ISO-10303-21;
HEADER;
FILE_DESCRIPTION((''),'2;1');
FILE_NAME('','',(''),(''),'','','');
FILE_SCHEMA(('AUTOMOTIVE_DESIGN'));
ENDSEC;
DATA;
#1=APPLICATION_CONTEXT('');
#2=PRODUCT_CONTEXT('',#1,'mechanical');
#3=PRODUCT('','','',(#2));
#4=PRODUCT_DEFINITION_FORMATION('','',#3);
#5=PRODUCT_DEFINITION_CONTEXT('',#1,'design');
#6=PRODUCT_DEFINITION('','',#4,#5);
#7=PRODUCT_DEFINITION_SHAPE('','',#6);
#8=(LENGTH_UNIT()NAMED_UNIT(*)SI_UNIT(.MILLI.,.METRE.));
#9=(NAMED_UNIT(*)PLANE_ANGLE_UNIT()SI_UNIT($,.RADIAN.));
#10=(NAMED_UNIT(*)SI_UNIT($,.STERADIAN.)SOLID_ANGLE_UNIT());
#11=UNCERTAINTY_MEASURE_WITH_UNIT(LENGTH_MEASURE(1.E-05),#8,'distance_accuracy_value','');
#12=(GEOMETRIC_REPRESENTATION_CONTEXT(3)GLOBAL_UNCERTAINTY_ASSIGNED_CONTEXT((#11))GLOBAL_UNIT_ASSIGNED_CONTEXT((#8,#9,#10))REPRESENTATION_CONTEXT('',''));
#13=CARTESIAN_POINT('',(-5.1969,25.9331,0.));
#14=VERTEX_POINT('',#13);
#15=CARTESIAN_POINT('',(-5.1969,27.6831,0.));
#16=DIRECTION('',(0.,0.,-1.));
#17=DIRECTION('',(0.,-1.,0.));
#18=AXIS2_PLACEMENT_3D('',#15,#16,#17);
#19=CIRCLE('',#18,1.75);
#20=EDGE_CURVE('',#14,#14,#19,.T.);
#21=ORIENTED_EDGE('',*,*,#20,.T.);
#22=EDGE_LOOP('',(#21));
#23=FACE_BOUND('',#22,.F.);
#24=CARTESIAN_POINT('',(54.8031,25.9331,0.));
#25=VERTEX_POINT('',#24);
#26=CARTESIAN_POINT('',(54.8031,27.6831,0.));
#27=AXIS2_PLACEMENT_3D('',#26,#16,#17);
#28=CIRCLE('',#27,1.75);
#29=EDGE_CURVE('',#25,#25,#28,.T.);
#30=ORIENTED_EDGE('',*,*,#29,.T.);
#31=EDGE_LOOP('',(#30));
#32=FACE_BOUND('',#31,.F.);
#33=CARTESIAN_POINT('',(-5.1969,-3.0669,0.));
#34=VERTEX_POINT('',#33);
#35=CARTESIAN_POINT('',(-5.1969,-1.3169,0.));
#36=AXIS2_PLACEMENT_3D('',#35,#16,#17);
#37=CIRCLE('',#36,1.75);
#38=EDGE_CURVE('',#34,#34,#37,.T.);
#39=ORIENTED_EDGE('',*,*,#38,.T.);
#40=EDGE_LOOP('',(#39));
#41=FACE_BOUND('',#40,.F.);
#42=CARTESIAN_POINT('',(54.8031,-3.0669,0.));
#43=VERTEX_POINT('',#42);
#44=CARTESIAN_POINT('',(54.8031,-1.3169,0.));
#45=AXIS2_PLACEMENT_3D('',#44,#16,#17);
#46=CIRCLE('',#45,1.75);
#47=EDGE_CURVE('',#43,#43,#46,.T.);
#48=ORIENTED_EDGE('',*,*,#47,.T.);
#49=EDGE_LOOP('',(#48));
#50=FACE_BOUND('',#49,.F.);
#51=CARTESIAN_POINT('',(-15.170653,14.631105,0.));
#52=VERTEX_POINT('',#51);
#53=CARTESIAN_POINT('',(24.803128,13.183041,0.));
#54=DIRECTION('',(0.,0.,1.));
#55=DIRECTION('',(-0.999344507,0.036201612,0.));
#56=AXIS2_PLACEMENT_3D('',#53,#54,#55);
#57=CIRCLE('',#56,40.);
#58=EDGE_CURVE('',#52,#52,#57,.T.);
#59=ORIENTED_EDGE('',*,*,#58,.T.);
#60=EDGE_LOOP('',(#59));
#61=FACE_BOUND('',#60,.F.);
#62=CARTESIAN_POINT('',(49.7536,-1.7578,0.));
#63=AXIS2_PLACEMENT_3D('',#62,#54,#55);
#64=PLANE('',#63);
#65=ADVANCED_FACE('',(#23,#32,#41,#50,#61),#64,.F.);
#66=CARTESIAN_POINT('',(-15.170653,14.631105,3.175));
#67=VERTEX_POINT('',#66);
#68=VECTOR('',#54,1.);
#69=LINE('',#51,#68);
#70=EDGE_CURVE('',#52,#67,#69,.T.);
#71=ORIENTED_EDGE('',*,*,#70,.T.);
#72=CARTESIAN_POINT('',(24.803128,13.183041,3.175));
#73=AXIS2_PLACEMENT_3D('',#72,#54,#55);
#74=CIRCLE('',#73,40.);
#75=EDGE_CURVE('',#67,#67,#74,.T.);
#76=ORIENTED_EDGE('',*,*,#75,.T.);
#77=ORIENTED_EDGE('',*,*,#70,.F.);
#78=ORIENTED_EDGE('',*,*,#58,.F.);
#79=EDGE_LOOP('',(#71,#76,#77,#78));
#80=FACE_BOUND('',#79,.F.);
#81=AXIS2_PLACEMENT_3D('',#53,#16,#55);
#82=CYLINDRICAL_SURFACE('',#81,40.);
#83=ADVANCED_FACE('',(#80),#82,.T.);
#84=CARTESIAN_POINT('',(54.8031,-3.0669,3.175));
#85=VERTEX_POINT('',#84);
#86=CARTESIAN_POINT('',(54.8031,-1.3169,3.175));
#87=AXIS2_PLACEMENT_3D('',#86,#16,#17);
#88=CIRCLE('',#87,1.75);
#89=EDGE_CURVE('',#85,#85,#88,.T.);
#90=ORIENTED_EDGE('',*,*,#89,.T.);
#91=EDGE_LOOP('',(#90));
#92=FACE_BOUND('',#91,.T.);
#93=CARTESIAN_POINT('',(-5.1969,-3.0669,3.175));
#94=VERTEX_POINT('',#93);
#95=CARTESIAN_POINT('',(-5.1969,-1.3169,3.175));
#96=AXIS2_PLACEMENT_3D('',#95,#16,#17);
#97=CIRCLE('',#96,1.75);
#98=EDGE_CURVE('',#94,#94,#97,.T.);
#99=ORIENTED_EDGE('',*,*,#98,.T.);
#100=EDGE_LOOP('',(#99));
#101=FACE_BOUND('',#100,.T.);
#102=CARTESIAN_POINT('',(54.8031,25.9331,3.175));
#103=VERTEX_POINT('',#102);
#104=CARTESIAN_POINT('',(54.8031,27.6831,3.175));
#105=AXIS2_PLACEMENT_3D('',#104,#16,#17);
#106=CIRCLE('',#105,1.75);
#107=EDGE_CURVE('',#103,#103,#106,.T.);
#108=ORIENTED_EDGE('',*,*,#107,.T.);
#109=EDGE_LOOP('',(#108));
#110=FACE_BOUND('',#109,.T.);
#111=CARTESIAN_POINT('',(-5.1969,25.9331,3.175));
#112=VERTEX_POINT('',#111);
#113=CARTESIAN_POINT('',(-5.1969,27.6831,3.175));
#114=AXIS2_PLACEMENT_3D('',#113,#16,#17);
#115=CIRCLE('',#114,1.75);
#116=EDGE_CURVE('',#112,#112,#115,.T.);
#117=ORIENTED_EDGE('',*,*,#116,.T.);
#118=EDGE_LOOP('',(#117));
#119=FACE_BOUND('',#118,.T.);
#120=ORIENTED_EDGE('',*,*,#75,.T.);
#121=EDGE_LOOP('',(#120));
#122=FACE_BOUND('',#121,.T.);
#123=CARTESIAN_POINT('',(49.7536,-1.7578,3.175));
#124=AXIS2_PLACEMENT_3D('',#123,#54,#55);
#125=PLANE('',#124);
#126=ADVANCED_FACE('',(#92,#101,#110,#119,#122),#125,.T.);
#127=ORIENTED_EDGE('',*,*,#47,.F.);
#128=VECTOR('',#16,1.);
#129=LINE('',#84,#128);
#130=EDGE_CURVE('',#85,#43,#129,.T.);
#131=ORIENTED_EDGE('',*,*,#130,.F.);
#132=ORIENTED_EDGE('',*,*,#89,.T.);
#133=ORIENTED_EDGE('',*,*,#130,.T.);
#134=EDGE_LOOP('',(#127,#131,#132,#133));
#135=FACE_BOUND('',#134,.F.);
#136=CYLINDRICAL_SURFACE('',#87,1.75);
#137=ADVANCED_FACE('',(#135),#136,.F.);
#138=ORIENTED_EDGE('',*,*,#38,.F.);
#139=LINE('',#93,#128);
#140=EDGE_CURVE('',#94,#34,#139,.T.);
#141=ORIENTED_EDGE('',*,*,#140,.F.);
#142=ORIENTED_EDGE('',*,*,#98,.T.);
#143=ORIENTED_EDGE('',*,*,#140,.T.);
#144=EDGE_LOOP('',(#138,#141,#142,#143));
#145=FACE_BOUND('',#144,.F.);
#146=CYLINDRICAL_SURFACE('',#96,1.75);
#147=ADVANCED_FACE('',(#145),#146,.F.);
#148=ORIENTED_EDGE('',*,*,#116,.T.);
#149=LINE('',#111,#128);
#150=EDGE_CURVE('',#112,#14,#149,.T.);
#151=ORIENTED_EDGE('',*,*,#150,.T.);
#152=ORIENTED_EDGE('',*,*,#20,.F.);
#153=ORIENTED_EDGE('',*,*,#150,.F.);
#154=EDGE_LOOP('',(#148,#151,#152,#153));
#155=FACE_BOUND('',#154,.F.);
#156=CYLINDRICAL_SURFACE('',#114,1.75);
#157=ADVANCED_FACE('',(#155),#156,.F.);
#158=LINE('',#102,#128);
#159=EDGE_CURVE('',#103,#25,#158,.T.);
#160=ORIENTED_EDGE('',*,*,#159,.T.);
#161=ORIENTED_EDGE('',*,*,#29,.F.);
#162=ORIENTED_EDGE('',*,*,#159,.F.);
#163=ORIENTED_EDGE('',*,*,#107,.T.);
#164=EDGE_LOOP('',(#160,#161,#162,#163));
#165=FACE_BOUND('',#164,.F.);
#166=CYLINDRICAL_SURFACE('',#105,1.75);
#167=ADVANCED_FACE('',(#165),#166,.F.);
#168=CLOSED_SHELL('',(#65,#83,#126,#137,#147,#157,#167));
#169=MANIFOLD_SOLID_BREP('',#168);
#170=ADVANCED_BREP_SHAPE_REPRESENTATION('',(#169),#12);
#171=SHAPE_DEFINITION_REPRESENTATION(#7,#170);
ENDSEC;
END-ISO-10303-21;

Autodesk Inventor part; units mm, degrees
ref_plane "YZ Plane" through (0, 0, 0) normal (1, 0, 0) x (0, 1, 0)
ref_plane "XZ Plane" through (0, 0, 0) normal (0, 1, 0) x (-1, 0, 0)
ref_plane "XY Plane" through (0, 0, 0) normal (0, 0, 1) x (1, 0, 0)
ref_plane "Work Plane1" through (48.8619, 11.5956, -9.64) normal (0, 1, 0) x (0.9993, 0, 0.0362)
sketch "Sketch1" plane through (49.7536, -1.7578, 0) normal (0, 0, 1) x (-0.9993, 0.0362, 0)
  arc A0 (3.3176, 0.3625) -> (1.2465, 2.2888) centre (1.3189, 0.2901) ccw projected
  line L0 (1.2465, 2.2888) -> (-3.8002, 2.106) projected
  arc A1 (-3.8002, 2.106) -> (-5.7265, 0.0349) centre (-3.7278, 0.1073) ccw projected
  line L1 (-5.7265, 0.0349) -> (-5.5816, -3.9625) projected
  arc A2 (-5.5816, -3.9625) -> (-3.5105, -5.8888) centre (-3.583, -3.8901) ccw projected
  line L2 (-3.5105, -5.8888) -> (1.5361, -5.7059) projected
  arc A3 (1.5361, -5.7059) -> (3.4624, -3.6348) centre (1.4637, -3.7073) ccw projected
  line L3 (3.4624, -3.6348) -> (3.3176, 0.3625) projected
  circle A4 centre (-1.132, -1.8) radius 1.75 projected
  arc A5 (45.1177, 3.8782) -> (43.1914, 1.8071) centre (45.1901, 1.8795) ccw projected
  line L4 (43.1914, 1.8071) -> (43.3363, -2.1903) projected
  arc A6 (43.3363, -2.1903) -> (45.4074, -4.1166) centre (45.335, -2.1179) ccw projected
  line L5 (45.4074, -4.1166) -> (50.4541, -3.9337) projected
  arc A7 (50.4541, -3.9337) -> (52.3803, -1.8626) centre (50.3816, -1.935) ccw projected
  line L6 (52.3803, -1.8626) -> (52.2355, 2.1348) projected
  arc A8 (52.2355, 2.1348) -> (50.1644, 4.061) centre (50.2368, 2.0623) ccw projected
  line L7 (50.1644, 4.061) -> (45.1177, 3.8782) projected
  circle A9 centre (47.7859, -0.0278) radius 1.75 projected
  arc A10 (44.352, -30.2274) -> (46.4231, -32.1537) centre (46.3507, -30.155) ccw projected
  line L8 (46.4231, -32.1537) -> (51.4698, -31.9708) projected
  arc A11 (51.4698, -31.9708) -> (53.3961, -29.8997) centre (51.3974, -29.9721) ccw projected
  line L9 (53.3961, -29.8997) -> (53.2513, -25.9024) projected
  arc A12 (53.2513, -25.9024) -> (51.1802, -23.9761) centre (51.2526, -25.9748) ccw projected
  line L10 (51.1802, -23.9761) -> (46.1335, -24.1589) projected
  arc A13 (46.1335, -24.1589) -> (44.2072, -26.23) centre (46.2059, -26.1576) ccw projected
  line L11 (44.2072, -26.23) -> (44.352, -30.2274) projected
  circle A14 centre (48.8016, -28.0649) radius 1.75 projected
  arc A15 (2.5519, -33.7431) -> (4.4782, -31.672) centre (2.4795, -31.7444) ccw projected
  line L12 (4.4782, -31.672) -> (4.3334, -27.6746) projected
  arc A16 (4.3334, -27.6746) -> (2.2623, -25.7483) centre (2.3347, -27.747) ccw projected
  line L13 (2.2623, -25.7483) -> (-2.7844, -25.9311) projected
  arc A17 (-2.7844, -25.9311) -> (-4.7107, -28.0022) centre (-2.712, -27.9298) ccw projected
  line L14 (-4.7107, -28.0022) -> (-4.5659, -31.9996) projected
  arc A18 (-4.5659, -31.9996) -> (-2.4948, -33.9259) centre (-2.5672, -31.9272) ccw projected
  line L15 (-2.4948, -33.9259) -> (2.5519, -33.7431) projected
  circle A19 centre (-0.1163, -29.8371) radius 1.75 projected
  circle A20 centre (39.7859, -28.0278) radius 1.75 projected
  circle A21 centre (3.1641, -28.0278) radius 1.75 projected
  circle A22 centre (11.1641, -0.0278) radius 1.75 projected
  circle A23 centre (47.7859, -0.0278) radius 1.75 projected
  line L16 (55.7859, 3.4722) -> (55.7859, -31.5278) projected
  arc A24 (55.7859, 3.4722) -> (-4.8359, 3.4722) centre (25.475, -14.0278) ccw projected
  line L17 (-4.8359, -31.5278) -> (-4.8359, 3.4722) projected
  arc A25 (-4.8359, -31.5278) -> (55.7859, -31.5278) centre (25.475, -14.0278) ccw projected
  circle A26 centre (25.475, -14.0278) radius 40
  point P0 (49.7846, 0.0447)
  dimension "d0" = 80
extrude "Extrusion1" add sketch "Sketch1" along normal blind 3.175 contours L3 A3 L2 A2 L17 A1 L0 A0 | A0 L0 A1 L17 A24 L16 A25 A18 L15 A15 L12 A21 A16 L13 A17 L14 A2 L2 A3 L3 | L17 A2 L1 A1 | A25 A18 L14 | L14 A17 L13 A16 A21 L12 A15 L15 A18 A25 | A21 L12 A16 | A16 L12 A21 | A4 | L7 A8 L6 A7 L5 A6 L4 A5 | A9 | L11 A13 L10 A12 L9 A11 L8 A10 | A14 | A19 | A20 | A22 | A26
sketch "Sketch2" plane through (24.8031, 13.1831, 3.175) normal (0, 0, 1) x (1, 0, 0)
  circle A0 centre (-30, 14.5) radius 1.75 projected
  circle A1 centre (-30, -14.5) radius 1.75 projected
  circle A2 centre (30, -14.5) radius 1.75 projected
  circle A3 centre (30, 14.5) radius 1.75 projected
  point P0 (-24.8031, -13.1831)
hole "Hole1" at (54.8031, 27.6831, 3.175) at (54.8031, -1.3169, 3.175) at (-5.1969, -1.3169, 3.175) at (-5.1969, 27.6831, 3.175) direction (0, 0, -1) diameter 3.5 end through all
properties part number "top_cover"
